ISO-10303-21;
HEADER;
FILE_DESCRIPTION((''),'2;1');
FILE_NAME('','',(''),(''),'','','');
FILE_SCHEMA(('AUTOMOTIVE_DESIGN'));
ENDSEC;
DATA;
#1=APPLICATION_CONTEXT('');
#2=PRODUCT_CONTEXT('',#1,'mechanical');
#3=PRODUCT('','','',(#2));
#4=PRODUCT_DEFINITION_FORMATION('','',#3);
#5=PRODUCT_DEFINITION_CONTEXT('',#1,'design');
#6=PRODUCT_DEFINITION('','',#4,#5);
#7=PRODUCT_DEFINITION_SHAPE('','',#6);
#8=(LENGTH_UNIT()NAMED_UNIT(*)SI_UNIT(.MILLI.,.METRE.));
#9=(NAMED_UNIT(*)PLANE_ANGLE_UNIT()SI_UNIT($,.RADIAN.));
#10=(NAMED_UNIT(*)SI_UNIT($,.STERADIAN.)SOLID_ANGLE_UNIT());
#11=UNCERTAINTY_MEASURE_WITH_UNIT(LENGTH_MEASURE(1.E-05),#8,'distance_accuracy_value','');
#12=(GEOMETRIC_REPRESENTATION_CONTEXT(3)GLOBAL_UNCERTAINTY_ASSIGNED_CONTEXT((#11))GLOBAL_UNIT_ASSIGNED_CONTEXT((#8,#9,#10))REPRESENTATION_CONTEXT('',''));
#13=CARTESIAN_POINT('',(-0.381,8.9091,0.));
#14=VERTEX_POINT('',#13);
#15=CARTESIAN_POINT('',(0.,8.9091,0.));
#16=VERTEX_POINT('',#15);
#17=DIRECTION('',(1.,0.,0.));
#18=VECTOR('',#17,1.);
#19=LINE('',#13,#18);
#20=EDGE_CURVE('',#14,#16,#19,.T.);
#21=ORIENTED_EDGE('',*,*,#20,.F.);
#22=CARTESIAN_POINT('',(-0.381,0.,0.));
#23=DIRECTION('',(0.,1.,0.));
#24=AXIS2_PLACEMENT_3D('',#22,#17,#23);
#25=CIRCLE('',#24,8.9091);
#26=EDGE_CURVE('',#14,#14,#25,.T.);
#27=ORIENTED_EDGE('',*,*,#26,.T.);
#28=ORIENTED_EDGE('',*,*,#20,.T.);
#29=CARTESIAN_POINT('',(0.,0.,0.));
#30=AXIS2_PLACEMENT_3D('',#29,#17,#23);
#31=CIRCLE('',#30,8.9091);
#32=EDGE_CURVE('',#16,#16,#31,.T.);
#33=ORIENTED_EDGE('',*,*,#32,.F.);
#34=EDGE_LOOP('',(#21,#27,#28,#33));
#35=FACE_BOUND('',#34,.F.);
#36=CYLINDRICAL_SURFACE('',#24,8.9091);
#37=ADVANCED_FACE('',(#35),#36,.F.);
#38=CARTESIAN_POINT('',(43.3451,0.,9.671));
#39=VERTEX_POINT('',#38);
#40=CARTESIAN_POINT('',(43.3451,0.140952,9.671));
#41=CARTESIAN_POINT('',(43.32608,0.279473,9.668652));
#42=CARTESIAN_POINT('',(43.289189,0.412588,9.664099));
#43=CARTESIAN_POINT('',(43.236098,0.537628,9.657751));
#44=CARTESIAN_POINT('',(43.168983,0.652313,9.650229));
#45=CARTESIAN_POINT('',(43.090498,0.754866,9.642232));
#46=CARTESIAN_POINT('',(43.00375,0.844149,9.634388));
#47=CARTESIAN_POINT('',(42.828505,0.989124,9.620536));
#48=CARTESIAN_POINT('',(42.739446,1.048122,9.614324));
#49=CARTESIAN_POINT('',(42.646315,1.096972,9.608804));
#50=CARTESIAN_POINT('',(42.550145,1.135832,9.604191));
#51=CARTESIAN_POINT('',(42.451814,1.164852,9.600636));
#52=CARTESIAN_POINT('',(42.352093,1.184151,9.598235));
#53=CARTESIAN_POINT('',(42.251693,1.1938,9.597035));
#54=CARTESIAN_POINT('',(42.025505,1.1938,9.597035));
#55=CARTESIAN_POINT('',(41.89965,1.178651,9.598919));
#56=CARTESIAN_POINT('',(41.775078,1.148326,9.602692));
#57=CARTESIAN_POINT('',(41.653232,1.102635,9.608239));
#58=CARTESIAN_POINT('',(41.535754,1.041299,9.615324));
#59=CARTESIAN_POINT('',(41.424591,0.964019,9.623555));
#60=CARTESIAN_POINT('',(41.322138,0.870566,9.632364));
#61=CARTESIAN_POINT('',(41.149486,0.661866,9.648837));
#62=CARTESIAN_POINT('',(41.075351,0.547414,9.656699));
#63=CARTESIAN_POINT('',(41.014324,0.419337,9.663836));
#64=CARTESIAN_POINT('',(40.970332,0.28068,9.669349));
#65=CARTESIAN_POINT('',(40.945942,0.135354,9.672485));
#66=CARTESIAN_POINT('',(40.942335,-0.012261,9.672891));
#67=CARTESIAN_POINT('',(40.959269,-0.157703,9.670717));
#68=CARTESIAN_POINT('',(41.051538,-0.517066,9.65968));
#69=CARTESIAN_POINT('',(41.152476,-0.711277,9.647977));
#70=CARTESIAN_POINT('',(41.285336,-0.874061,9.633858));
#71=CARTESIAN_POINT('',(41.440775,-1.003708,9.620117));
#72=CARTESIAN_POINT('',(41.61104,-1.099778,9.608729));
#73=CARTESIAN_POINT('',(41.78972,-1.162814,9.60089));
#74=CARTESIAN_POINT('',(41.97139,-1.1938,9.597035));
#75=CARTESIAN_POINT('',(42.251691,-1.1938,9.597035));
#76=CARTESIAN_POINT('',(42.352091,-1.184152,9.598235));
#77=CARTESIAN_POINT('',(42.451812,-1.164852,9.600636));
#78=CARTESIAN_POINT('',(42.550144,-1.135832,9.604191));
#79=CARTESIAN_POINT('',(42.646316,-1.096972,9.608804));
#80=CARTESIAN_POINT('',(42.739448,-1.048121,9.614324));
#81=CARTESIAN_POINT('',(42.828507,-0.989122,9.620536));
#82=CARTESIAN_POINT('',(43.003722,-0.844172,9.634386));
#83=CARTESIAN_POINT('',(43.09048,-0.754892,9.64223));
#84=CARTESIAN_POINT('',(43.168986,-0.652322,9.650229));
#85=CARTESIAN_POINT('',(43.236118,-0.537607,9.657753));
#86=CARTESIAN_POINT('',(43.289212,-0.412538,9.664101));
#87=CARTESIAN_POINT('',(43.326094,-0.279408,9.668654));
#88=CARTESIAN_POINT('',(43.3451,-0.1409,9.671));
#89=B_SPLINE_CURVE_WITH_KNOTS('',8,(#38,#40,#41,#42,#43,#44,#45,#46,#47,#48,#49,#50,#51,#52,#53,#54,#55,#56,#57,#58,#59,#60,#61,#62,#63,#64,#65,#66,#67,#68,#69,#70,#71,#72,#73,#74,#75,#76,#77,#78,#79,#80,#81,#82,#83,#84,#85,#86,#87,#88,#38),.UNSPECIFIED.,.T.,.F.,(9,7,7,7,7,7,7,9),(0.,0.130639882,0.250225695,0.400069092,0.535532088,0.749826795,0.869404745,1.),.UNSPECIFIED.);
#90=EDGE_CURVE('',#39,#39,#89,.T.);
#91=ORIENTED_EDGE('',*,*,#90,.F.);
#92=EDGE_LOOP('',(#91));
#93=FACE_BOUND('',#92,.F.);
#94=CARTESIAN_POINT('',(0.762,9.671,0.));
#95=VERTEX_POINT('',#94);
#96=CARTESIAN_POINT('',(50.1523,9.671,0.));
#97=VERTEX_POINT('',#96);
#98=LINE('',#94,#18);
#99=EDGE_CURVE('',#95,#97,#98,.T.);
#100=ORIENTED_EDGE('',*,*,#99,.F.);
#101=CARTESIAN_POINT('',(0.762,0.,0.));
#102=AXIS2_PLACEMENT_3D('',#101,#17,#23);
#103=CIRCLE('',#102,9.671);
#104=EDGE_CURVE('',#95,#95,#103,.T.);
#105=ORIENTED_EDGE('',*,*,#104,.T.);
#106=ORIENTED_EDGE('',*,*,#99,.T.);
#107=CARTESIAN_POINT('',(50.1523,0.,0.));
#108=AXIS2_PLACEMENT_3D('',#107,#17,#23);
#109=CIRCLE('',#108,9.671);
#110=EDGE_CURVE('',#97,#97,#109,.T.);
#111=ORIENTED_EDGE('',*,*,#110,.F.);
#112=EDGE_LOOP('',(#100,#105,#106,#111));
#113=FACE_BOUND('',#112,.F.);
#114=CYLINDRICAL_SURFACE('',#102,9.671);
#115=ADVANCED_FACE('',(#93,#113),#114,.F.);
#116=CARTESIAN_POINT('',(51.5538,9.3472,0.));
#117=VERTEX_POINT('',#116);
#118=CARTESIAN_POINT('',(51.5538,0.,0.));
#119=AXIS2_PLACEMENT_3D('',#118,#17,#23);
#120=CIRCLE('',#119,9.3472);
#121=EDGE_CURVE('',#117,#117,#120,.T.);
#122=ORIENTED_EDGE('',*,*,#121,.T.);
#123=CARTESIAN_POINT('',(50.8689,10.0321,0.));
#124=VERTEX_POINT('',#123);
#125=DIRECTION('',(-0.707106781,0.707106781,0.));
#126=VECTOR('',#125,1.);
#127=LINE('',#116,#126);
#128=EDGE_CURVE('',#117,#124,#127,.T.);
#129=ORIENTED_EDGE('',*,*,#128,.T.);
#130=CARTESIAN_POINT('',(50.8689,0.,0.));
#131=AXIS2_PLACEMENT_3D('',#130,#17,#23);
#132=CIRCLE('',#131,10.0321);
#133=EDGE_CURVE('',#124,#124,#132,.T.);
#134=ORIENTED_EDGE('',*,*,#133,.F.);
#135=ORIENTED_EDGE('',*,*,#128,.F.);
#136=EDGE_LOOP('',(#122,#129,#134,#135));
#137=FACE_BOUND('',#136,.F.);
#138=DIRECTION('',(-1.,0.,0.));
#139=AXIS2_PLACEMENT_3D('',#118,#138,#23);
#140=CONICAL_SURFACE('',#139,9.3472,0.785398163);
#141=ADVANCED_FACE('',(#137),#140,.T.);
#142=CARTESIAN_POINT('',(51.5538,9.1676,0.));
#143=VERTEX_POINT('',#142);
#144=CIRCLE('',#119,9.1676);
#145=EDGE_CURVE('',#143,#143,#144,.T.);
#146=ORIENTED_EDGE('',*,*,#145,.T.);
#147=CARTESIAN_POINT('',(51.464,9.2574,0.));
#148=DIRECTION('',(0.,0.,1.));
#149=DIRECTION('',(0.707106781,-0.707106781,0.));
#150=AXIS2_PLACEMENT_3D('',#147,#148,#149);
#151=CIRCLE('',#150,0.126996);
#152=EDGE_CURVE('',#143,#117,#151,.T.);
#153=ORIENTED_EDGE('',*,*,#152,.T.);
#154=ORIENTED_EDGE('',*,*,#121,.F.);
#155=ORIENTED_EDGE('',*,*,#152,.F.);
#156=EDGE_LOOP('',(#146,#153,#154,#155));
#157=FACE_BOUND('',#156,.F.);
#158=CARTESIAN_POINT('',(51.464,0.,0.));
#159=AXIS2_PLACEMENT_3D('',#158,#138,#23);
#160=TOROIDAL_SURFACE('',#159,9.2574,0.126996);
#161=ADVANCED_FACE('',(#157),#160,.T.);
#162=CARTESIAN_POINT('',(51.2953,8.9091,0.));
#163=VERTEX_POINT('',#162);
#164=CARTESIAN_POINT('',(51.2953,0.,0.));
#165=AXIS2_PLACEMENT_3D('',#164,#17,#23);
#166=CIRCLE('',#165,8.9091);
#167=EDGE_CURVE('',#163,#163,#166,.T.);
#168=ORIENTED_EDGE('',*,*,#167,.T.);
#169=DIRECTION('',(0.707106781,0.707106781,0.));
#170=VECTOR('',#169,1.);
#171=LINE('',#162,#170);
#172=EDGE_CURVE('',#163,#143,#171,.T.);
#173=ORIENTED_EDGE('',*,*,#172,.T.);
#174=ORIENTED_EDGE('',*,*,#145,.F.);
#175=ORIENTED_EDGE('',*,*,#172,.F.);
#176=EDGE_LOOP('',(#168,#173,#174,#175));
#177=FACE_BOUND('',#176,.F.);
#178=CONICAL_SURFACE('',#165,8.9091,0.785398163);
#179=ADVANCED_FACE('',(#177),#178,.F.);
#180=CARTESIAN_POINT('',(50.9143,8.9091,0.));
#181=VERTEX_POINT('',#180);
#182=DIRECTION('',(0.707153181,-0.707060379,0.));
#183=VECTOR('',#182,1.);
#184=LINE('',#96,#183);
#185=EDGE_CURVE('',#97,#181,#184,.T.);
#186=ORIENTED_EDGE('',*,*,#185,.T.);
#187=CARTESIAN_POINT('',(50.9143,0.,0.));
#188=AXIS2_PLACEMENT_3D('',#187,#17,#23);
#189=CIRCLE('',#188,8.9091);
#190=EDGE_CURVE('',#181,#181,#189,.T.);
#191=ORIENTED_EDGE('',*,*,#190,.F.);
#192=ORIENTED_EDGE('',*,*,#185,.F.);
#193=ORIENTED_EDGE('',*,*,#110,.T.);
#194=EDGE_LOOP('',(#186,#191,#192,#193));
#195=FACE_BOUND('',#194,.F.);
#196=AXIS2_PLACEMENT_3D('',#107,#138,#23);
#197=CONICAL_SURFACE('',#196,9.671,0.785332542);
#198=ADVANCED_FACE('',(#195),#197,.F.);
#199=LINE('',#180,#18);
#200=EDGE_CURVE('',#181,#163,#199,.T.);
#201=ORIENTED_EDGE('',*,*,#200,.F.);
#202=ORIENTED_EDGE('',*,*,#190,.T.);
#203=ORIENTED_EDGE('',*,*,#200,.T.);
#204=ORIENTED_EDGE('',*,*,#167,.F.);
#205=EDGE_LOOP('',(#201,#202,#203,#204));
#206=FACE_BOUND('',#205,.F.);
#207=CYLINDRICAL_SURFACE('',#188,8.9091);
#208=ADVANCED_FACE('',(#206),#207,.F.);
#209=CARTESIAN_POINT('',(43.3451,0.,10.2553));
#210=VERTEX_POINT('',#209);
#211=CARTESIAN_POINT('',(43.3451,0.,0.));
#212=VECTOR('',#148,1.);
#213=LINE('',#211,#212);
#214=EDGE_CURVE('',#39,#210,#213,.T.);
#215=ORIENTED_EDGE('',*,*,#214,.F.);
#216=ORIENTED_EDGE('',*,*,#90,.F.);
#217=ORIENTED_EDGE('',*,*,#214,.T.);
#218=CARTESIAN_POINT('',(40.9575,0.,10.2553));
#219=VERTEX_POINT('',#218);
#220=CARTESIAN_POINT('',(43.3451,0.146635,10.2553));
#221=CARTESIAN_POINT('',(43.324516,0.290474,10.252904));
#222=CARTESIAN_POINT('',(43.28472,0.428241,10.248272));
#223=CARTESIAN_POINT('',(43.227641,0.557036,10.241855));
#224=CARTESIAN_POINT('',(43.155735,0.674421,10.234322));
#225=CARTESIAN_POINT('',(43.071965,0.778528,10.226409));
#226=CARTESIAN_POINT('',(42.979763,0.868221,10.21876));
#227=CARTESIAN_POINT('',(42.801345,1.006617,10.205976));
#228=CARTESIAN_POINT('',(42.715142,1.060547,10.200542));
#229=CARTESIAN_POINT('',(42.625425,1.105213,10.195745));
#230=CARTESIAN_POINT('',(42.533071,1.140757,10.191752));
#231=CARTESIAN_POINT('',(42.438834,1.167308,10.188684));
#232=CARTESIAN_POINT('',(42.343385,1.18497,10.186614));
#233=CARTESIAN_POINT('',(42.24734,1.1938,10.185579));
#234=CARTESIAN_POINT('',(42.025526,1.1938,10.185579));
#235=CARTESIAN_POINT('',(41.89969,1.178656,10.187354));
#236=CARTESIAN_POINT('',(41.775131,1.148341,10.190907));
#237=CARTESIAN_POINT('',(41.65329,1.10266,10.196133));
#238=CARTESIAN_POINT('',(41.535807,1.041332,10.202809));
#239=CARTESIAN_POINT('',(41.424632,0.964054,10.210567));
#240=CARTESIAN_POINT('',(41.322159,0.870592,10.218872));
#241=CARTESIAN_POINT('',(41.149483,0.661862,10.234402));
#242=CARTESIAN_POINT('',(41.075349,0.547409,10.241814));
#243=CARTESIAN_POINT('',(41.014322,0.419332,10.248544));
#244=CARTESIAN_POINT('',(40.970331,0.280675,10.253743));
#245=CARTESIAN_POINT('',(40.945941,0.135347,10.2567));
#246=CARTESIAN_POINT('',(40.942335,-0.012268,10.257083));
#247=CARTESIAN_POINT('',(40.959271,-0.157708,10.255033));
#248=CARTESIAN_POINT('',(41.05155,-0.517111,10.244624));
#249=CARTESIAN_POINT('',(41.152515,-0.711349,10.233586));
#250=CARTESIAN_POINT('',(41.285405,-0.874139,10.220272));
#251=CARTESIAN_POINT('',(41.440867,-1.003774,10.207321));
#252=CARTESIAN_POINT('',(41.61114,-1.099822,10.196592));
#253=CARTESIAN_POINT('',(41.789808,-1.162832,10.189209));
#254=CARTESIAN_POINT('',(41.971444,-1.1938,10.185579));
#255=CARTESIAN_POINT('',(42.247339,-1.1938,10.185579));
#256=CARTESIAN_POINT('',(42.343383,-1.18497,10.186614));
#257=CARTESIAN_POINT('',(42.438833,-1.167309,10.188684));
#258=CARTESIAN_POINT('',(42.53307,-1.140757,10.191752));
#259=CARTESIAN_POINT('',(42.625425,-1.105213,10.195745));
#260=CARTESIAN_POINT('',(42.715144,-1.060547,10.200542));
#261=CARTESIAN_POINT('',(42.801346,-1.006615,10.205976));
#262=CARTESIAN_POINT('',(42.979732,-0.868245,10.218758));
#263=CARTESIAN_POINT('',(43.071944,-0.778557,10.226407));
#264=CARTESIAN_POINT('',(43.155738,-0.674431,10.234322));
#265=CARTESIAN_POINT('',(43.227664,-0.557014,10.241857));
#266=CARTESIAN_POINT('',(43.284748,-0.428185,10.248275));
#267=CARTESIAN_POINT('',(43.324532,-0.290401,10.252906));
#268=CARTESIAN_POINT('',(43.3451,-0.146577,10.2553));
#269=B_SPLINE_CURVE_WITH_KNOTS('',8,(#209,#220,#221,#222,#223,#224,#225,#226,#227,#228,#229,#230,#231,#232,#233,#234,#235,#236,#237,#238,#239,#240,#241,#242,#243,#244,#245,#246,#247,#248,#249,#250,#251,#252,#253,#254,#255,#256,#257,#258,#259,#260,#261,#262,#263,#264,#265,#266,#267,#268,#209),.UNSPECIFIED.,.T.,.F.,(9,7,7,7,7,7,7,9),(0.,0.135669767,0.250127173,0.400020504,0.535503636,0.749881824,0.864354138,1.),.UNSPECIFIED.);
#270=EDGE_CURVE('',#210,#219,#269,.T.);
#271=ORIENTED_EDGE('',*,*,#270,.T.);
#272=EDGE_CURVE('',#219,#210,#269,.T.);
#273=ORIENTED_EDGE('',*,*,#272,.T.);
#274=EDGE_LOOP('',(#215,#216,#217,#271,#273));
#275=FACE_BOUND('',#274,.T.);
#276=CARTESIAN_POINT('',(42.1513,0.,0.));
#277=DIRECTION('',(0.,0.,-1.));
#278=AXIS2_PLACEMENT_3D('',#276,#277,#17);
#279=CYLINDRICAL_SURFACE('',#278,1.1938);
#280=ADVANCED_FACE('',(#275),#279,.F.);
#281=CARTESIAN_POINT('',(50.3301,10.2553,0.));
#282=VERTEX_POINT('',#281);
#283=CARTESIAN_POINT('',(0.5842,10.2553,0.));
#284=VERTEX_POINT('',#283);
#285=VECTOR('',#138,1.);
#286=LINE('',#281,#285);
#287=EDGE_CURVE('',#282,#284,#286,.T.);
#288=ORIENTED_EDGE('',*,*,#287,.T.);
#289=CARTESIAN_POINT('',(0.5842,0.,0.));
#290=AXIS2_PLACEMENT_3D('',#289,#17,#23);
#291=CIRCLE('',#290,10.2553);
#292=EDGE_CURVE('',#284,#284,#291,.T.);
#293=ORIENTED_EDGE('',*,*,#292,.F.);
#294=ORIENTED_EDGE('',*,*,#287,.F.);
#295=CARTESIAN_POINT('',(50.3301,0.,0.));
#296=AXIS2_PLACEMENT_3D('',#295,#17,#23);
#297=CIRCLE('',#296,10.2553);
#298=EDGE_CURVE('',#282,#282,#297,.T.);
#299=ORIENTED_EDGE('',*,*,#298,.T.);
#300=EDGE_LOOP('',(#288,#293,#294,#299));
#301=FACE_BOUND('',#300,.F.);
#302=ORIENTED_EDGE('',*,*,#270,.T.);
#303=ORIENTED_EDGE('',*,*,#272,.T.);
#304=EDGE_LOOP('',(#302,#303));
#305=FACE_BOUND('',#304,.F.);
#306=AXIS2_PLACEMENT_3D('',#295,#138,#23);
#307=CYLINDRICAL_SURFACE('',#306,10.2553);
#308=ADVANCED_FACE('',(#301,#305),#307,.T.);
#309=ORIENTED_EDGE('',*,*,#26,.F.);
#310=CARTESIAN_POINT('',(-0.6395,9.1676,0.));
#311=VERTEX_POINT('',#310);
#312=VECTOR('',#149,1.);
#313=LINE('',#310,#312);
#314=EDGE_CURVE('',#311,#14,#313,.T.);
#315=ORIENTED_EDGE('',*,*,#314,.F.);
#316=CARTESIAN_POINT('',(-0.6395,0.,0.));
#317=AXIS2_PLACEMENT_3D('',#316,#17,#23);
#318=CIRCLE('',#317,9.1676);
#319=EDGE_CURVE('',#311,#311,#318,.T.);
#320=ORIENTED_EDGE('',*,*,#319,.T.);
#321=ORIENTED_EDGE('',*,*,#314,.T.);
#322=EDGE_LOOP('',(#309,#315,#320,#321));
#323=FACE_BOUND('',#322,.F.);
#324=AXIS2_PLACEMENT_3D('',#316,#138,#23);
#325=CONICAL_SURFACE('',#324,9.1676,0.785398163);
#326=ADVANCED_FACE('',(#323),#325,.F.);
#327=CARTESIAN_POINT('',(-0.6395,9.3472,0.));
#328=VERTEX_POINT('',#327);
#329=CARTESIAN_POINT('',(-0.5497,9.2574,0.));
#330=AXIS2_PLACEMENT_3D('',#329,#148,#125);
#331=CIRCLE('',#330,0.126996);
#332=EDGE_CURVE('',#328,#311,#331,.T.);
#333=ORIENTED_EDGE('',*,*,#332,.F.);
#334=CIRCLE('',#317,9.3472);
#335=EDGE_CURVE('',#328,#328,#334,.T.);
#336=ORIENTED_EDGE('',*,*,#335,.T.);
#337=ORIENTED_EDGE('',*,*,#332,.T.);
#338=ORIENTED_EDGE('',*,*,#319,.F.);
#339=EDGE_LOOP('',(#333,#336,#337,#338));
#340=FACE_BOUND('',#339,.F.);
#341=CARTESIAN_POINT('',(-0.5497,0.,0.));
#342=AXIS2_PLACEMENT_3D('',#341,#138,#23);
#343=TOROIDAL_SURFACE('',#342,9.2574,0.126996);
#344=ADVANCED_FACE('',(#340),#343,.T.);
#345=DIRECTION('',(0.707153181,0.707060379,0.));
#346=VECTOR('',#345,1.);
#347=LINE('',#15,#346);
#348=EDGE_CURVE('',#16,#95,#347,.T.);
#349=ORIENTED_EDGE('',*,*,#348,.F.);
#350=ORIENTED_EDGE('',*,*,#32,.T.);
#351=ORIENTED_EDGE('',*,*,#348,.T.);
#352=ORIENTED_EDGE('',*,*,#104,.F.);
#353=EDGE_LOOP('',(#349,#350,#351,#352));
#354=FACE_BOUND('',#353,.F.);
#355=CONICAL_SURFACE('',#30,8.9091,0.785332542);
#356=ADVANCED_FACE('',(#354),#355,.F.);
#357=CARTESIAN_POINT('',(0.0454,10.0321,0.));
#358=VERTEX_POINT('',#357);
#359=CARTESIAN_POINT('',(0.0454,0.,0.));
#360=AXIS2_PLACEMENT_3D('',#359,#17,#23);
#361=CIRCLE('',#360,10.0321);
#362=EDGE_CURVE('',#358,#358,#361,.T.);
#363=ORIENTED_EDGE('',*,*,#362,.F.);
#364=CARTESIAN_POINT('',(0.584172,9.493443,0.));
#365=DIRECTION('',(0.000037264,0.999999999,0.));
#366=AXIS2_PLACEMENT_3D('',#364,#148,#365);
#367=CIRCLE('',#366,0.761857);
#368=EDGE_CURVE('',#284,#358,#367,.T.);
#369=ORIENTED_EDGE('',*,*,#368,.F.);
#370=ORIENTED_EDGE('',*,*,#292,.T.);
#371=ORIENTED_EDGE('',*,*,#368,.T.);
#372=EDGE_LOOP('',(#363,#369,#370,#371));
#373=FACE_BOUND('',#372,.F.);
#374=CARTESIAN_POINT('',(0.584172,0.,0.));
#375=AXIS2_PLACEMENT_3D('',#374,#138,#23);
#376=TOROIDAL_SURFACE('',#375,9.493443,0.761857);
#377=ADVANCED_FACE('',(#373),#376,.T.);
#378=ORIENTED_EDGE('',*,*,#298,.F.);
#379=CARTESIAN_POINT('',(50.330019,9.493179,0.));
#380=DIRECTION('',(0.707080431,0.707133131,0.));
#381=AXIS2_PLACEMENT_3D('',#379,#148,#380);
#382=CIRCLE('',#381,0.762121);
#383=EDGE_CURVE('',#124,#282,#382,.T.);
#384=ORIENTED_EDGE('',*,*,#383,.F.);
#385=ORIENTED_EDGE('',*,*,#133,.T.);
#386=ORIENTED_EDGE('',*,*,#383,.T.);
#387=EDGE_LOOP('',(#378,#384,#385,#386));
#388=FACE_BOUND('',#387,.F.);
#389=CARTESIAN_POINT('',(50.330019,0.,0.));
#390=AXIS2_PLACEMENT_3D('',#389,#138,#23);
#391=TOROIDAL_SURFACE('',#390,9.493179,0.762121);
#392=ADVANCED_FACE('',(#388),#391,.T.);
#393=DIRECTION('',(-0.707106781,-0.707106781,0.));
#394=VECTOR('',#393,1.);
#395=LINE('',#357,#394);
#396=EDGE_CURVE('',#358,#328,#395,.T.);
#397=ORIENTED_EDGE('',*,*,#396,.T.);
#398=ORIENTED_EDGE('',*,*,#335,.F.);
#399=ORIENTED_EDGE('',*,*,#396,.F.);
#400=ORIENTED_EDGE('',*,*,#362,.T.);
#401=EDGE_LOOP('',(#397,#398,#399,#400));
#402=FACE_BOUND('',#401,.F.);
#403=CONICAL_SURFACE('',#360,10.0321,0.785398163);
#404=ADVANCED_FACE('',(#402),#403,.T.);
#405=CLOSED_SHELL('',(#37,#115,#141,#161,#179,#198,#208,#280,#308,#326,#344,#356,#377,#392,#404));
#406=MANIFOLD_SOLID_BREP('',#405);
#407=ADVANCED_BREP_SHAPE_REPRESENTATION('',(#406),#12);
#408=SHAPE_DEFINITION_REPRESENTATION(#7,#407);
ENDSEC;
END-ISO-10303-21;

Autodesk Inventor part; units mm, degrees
sketch "Sketch_1" plane through (0, 0, 0) normal (0, 0, 1) x (1, 0, 0)
  line L0 (50.9143, 0) -> (0, 0)
  arc A0 (-0.6395, 9.3472) -> (-0.6395, 9.1676) centre (-0.5497, 9.2574) ccw
  line L1 (-0.6395, 9.1676) -> (-0.381, 8.9091)
  line L2 (-0.381, 8.9091) -> (0, 8.9091)
  line L3 (0, 8.9091) -> (0.762, 9.671)
  line L4 (0.762, 9.671) -> (50.1523, 9.671)
  line L5 (50.1523, 9.671) -> (50.9143, 8.9091)
  line L6 (50.9143, 8.9091) -> (51.2953, 8.9091)
  line L7 (51.2953, 8.9091) -> (51.5538, 9.1676)
  arc A1 (51.5538, 9.1676) -> (51.5538, 9.3472) centre (51.464, 9.2574) ccw
  line L8 (51.5538, 9.3472) -> (50.8689, 10.0321)
  arc A2 (50.8689, 10.0321) -> (50.3301, 10.2553) centre (50.3301, 9.4933) ccw
  line L9 (50.3301, 10.2553) -> (0.5842, 10.2553)
  arc A3 (0.5842, 10.2553) -> (0.0454, 10.0321) centre (0.5842, 9.4933) ccw
  line L10 (0.0454, 10.0321) -> (-0.6395, 9.3472)
revolve "Revolution1" add sketch "Sketch_1" angle 360 about axis through (50.9143, 0, 0) along (1, 0, 0)
sketch "Sketch_7" plane through (0, 0, 0) normal (0, 0, 1) x (1, 0, 0)
  circle A0 centre (42.1513, 0) radius 1.1938
extrude "Extrusion1" cut sketch "Sketch_7" along normal blind 10.2553
ref_plane "cp1_XY" through (25.4571, 10.2553, 0) normal (1, 0, 0) x (0, 0, -1)
ref_plane "cp1_YZ" through (25.4571, 10.2553, 0) normal (0, 0, -1) x (0, 1, 0)
ref_plane "cp1_ZX" through (25.4571, 10.2553, 0) normal (0, 1, 0) x (1, 0, 0)
ref_plane "cp2_XY" through (25.4571, 0, -10.2553) normal (1, 0, 0) x (0, 0, -1)
ref_plane "cp2_YZ" through (25.4571, 0, -10.2553) normal (0, 0, -1) x (0, 1, 0)
ref_plane "cp2_ZX" through (25.4571, 0, -10.2553) normal (0, 1, 0) x (1, 0, 0)
ref_plane "cp3_XY" through (25.4571, -10.2553, 0) normal (1, 0, 0) x (0, 0, -1)
ref_plane "cp3_YZ" through (25.4571, -10.2553, 0) normal (0, 0, -1) x (0, 1, 0)
ref_plane "cp3_ZX" through (25.4571, -10.2553, 0) normal (0, 1, 0) x (1, 0, 0)
ref_plane "cp4_XY" through (25.4571, 0, 10.2553) normal (1, 0, 0) x (0, 0, -1)
ref_plane "cp4_YZ" through (25.4571, 0, 10.2553) normal (0, 0, -1) x (0, 1, 0)
ref_plane "cp4_ZX" through (25.4571, 0, 10.2553) normal (0, 1, 0) x (1, 0, 0)
ref_plane "tube_front_XY" through (0, 0, 0) normal (1, 0, 0) x (0, 0, -1)
ref_plane "tube_front_YZ" through (0, 0, 0) normal (0, 0, -1) x (0, 1, 0)
ref_plane "tube_front_ZX" through (0, 0, 0) normal (0, 1, 0) x (1, 0, 0)
ref_plane "tube_rear_XY" through (50.9143, 0, 0) normal (1, 0, 0) x (0, 0, -1)
ref_plane "tube_rear_YZ" through (50.9143, 0, 0) normal (0, 0, -1) x (0, 1, 0)
ref_plane "tube_rear_ZX" through (50.9143, 0, 0) normal (0, 1, 0) x (1, 0, 0)
properties part number "04R-2.00453C"
